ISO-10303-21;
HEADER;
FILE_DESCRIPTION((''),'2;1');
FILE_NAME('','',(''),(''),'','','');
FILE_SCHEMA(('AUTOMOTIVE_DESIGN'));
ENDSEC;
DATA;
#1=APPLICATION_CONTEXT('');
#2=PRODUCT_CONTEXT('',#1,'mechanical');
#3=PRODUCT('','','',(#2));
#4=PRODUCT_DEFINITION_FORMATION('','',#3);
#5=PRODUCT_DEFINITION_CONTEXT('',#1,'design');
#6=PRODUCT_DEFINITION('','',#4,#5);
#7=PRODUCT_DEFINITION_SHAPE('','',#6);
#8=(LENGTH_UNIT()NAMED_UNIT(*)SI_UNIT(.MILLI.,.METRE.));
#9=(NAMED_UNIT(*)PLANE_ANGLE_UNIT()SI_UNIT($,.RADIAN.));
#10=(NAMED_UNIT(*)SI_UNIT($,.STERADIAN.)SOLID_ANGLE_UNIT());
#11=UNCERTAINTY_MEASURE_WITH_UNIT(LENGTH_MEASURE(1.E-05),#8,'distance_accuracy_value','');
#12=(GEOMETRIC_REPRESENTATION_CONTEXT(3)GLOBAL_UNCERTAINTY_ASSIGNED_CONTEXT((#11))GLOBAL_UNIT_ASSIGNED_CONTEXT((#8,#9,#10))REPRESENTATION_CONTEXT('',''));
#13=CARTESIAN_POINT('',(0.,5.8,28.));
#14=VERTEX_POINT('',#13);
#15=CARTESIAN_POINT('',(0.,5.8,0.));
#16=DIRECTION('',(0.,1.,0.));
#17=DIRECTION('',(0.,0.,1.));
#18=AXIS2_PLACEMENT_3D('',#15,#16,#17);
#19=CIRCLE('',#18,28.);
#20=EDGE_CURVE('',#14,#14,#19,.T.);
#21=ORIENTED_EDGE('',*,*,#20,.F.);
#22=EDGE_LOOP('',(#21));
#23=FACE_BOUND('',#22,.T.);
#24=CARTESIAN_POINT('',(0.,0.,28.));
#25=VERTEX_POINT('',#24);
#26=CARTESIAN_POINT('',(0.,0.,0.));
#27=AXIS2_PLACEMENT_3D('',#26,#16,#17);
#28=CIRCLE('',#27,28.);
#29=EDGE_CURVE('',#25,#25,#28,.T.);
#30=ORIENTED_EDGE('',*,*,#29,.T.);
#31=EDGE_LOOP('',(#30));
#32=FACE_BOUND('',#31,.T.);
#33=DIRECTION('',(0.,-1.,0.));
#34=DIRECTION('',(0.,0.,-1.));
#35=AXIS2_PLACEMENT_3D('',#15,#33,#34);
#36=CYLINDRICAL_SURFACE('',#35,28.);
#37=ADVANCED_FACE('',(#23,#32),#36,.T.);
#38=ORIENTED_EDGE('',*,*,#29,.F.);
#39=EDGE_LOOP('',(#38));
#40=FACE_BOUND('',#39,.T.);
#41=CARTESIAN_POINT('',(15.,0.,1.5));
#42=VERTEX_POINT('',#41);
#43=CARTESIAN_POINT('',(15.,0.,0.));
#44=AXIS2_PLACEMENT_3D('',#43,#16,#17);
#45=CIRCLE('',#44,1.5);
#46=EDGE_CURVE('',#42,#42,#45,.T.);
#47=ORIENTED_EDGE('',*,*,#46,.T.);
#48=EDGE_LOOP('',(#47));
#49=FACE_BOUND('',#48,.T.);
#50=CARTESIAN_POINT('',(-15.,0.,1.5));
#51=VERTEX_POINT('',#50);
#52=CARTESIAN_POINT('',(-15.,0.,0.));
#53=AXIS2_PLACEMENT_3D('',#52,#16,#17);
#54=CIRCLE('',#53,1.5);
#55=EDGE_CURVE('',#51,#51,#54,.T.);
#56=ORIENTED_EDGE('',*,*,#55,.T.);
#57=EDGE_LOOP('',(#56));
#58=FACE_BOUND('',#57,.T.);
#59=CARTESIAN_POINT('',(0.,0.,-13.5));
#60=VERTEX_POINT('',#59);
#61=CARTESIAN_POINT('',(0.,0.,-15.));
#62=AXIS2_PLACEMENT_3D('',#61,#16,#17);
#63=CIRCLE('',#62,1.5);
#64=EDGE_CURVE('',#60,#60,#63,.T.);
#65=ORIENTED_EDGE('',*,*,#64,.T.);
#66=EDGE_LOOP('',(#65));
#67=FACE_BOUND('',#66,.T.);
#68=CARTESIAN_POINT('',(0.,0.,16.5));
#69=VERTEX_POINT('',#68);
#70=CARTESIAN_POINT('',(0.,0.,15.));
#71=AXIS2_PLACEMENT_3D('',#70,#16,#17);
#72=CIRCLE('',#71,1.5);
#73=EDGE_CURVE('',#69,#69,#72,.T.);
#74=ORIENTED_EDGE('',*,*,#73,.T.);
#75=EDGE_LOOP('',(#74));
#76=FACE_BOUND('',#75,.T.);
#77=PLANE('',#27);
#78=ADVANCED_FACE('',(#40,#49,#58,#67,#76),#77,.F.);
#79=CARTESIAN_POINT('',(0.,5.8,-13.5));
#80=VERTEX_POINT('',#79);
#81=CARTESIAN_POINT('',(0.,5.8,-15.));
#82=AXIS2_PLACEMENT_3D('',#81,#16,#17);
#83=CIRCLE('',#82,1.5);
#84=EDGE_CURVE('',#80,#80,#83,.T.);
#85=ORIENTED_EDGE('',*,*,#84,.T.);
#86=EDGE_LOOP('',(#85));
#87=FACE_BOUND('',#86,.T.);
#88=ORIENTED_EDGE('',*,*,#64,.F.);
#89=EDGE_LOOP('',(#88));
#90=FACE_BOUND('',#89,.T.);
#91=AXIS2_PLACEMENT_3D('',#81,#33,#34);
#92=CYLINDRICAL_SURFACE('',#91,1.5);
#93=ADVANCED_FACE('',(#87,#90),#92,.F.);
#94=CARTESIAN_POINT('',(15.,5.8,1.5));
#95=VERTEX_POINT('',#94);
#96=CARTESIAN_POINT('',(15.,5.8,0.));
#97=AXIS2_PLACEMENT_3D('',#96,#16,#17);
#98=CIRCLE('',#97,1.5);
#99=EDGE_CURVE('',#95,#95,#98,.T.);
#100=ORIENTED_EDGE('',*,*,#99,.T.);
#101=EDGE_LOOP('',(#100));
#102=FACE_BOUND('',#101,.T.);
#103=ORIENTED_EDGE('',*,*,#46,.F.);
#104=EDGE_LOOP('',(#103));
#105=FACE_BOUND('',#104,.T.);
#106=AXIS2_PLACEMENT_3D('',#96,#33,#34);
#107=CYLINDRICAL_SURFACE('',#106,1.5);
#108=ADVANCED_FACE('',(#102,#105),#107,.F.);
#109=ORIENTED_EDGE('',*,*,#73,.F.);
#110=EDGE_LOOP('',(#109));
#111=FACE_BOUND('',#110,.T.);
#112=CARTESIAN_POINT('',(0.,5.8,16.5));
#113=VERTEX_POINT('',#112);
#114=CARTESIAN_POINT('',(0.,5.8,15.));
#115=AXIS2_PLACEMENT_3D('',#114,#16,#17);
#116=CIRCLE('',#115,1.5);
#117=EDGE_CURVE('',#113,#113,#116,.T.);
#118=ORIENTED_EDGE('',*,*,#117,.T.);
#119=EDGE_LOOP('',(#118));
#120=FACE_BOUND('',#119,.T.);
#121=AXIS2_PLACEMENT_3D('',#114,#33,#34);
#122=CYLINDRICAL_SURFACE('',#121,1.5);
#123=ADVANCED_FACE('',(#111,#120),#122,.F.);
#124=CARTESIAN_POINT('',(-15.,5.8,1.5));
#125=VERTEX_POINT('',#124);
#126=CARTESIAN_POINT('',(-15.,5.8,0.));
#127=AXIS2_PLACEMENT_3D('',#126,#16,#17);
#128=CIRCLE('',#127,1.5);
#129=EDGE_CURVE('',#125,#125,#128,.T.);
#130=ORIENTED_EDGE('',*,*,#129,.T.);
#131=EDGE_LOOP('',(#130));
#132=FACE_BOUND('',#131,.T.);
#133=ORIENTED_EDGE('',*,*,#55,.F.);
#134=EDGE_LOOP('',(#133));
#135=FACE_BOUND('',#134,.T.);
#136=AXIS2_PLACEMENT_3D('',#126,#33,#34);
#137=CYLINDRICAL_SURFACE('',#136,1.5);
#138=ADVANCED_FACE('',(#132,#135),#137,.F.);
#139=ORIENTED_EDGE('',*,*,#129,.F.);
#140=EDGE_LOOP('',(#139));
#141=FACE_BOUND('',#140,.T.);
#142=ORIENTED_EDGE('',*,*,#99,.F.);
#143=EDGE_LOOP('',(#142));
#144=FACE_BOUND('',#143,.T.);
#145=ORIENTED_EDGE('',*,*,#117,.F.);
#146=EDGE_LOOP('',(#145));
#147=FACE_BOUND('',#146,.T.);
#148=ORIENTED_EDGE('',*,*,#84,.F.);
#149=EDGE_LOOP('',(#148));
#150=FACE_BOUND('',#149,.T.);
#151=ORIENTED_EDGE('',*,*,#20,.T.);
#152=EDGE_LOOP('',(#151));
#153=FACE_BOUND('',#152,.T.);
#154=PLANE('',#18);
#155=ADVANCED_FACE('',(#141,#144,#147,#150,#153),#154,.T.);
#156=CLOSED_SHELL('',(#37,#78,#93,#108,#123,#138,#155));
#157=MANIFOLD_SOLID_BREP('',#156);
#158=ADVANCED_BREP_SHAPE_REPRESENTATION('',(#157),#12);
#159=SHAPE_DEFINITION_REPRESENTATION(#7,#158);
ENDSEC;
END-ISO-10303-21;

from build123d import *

# Parameters (mm, degrees)
ESQUISSE1_R        = 28
ESQUISSE1_R_2      = 1.5
BOSS_EXTRU_1_DEPTH = 5.8


with BuildPart() as part:
    # Esquisse1 → Boss.-Extru.1 (new body)
    with BuildSketch(Plane(origin=(0, 0, 0), x_dir=(1, 0, 0), z_dir=(0, 1, 0))):
        Circle(ESQUISSE1_R)
        with Locations((0, 15)):
            Circle(ESQUISSE1_R_2, mode=Mode.SUBTRACT)
        with Locations((15, 0)):
            Circle(ESQUISSE1_R_2, mode=Mode.SUBTRACT)
        with Locations((0, -15)):
            Circle(ESQUISSE1_R_2, mode=Mode.SUBTRACT)
        with Locations((-15, 0)):
            Circle(ESQUISSE1_R_2, mode=Mode.SUBTRACT)
    extrude(amount=BOSS_EXTRU_1_DEPTH)


solid = part.part
